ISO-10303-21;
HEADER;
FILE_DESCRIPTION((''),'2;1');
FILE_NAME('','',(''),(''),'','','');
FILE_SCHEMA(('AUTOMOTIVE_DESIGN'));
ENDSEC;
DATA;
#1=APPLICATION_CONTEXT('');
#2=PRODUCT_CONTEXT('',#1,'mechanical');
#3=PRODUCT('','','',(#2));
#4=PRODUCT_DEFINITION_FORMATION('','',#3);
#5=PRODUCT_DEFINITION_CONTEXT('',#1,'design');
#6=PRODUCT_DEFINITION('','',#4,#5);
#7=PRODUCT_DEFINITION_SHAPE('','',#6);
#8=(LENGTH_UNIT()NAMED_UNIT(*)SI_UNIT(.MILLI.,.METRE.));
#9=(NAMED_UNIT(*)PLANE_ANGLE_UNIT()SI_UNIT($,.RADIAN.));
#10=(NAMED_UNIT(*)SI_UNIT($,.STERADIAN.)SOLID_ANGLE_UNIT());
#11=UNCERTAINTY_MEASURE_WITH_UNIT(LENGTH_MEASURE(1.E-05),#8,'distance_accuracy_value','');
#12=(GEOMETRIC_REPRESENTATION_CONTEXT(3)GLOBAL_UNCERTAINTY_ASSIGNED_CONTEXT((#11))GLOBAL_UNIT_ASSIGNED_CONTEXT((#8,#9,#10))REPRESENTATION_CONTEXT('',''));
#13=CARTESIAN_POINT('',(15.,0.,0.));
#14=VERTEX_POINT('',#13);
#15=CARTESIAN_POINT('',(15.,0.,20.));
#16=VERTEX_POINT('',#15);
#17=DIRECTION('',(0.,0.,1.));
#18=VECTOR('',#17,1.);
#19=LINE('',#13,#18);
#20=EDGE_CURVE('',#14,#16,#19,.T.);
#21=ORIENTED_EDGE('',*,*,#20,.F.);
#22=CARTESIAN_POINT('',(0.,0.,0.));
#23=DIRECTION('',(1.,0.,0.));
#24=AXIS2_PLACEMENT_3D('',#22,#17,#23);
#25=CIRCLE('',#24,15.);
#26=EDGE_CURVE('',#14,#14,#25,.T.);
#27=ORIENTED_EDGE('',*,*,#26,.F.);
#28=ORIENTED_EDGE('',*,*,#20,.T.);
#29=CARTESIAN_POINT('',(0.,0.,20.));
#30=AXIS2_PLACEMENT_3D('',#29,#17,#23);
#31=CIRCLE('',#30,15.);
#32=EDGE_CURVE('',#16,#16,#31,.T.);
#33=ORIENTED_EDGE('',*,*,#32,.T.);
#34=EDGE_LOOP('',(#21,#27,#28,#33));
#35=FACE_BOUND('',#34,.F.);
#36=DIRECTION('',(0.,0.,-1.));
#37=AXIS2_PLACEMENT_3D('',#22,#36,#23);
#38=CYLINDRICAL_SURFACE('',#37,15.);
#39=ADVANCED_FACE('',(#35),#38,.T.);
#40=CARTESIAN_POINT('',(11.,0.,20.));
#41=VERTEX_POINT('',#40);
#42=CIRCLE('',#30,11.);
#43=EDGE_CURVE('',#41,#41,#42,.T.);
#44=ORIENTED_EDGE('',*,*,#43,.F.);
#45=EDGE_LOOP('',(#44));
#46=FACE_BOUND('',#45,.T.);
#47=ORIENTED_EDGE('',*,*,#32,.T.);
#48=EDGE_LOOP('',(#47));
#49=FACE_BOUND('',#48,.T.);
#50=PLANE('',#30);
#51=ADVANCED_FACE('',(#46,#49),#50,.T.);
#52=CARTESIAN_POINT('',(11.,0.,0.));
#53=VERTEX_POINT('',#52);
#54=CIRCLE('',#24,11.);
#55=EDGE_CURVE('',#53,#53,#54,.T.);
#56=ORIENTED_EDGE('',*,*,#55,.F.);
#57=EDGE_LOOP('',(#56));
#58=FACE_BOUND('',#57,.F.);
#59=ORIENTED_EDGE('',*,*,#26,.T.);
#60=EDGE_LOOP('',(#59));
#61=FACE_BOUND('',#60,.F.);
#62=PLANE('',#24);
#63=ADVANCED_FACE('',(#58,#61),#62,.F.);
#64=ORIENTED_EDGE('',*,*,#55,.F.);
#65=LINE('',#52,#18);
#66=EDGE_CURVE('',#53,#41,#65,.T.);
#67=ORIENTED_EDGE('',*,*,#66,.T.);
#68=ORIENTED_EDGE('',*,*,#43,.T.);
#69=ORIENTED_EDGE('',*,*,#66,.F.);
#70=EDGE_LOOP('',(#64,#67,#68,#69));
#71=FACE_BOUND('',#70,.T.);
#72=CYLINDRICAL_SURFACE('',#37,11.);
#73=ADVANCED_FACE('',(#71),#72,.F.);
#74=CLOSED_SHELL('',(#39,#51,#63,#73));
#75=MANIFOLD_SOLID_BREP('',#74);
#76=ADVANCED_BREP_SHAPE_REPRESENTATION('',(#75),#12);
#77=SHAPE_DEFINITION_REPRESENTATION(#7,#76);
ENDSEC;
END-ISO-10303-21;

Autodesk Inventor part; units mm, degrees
ref_plane "YZ Plane" through (0, 0, 0) normal (1, 0, 0) x (0, 1, 0)
ref_plane "XZ Plane" through (0, 0, 0) normal (0, 1, 0) x (-1, 0, 0)
ref_plane "XY Plane" through (0, 0, 0) normal (0, 0, 1) x (1, 0, 0)
sketch "Skizze1" plane through (0, 0, 0) normal (0, 0, 1) x (1, 0, 0)
  circle A0 centre (0, 0) radius 15
  circle A1 centre (0, 0) radius 11
  dimension "d0" = 30
  dimension "d1" = 22
extrude "Extrusion1" add sketch "Skizze1" along normal blind 20
properties part number "Cameralager"
